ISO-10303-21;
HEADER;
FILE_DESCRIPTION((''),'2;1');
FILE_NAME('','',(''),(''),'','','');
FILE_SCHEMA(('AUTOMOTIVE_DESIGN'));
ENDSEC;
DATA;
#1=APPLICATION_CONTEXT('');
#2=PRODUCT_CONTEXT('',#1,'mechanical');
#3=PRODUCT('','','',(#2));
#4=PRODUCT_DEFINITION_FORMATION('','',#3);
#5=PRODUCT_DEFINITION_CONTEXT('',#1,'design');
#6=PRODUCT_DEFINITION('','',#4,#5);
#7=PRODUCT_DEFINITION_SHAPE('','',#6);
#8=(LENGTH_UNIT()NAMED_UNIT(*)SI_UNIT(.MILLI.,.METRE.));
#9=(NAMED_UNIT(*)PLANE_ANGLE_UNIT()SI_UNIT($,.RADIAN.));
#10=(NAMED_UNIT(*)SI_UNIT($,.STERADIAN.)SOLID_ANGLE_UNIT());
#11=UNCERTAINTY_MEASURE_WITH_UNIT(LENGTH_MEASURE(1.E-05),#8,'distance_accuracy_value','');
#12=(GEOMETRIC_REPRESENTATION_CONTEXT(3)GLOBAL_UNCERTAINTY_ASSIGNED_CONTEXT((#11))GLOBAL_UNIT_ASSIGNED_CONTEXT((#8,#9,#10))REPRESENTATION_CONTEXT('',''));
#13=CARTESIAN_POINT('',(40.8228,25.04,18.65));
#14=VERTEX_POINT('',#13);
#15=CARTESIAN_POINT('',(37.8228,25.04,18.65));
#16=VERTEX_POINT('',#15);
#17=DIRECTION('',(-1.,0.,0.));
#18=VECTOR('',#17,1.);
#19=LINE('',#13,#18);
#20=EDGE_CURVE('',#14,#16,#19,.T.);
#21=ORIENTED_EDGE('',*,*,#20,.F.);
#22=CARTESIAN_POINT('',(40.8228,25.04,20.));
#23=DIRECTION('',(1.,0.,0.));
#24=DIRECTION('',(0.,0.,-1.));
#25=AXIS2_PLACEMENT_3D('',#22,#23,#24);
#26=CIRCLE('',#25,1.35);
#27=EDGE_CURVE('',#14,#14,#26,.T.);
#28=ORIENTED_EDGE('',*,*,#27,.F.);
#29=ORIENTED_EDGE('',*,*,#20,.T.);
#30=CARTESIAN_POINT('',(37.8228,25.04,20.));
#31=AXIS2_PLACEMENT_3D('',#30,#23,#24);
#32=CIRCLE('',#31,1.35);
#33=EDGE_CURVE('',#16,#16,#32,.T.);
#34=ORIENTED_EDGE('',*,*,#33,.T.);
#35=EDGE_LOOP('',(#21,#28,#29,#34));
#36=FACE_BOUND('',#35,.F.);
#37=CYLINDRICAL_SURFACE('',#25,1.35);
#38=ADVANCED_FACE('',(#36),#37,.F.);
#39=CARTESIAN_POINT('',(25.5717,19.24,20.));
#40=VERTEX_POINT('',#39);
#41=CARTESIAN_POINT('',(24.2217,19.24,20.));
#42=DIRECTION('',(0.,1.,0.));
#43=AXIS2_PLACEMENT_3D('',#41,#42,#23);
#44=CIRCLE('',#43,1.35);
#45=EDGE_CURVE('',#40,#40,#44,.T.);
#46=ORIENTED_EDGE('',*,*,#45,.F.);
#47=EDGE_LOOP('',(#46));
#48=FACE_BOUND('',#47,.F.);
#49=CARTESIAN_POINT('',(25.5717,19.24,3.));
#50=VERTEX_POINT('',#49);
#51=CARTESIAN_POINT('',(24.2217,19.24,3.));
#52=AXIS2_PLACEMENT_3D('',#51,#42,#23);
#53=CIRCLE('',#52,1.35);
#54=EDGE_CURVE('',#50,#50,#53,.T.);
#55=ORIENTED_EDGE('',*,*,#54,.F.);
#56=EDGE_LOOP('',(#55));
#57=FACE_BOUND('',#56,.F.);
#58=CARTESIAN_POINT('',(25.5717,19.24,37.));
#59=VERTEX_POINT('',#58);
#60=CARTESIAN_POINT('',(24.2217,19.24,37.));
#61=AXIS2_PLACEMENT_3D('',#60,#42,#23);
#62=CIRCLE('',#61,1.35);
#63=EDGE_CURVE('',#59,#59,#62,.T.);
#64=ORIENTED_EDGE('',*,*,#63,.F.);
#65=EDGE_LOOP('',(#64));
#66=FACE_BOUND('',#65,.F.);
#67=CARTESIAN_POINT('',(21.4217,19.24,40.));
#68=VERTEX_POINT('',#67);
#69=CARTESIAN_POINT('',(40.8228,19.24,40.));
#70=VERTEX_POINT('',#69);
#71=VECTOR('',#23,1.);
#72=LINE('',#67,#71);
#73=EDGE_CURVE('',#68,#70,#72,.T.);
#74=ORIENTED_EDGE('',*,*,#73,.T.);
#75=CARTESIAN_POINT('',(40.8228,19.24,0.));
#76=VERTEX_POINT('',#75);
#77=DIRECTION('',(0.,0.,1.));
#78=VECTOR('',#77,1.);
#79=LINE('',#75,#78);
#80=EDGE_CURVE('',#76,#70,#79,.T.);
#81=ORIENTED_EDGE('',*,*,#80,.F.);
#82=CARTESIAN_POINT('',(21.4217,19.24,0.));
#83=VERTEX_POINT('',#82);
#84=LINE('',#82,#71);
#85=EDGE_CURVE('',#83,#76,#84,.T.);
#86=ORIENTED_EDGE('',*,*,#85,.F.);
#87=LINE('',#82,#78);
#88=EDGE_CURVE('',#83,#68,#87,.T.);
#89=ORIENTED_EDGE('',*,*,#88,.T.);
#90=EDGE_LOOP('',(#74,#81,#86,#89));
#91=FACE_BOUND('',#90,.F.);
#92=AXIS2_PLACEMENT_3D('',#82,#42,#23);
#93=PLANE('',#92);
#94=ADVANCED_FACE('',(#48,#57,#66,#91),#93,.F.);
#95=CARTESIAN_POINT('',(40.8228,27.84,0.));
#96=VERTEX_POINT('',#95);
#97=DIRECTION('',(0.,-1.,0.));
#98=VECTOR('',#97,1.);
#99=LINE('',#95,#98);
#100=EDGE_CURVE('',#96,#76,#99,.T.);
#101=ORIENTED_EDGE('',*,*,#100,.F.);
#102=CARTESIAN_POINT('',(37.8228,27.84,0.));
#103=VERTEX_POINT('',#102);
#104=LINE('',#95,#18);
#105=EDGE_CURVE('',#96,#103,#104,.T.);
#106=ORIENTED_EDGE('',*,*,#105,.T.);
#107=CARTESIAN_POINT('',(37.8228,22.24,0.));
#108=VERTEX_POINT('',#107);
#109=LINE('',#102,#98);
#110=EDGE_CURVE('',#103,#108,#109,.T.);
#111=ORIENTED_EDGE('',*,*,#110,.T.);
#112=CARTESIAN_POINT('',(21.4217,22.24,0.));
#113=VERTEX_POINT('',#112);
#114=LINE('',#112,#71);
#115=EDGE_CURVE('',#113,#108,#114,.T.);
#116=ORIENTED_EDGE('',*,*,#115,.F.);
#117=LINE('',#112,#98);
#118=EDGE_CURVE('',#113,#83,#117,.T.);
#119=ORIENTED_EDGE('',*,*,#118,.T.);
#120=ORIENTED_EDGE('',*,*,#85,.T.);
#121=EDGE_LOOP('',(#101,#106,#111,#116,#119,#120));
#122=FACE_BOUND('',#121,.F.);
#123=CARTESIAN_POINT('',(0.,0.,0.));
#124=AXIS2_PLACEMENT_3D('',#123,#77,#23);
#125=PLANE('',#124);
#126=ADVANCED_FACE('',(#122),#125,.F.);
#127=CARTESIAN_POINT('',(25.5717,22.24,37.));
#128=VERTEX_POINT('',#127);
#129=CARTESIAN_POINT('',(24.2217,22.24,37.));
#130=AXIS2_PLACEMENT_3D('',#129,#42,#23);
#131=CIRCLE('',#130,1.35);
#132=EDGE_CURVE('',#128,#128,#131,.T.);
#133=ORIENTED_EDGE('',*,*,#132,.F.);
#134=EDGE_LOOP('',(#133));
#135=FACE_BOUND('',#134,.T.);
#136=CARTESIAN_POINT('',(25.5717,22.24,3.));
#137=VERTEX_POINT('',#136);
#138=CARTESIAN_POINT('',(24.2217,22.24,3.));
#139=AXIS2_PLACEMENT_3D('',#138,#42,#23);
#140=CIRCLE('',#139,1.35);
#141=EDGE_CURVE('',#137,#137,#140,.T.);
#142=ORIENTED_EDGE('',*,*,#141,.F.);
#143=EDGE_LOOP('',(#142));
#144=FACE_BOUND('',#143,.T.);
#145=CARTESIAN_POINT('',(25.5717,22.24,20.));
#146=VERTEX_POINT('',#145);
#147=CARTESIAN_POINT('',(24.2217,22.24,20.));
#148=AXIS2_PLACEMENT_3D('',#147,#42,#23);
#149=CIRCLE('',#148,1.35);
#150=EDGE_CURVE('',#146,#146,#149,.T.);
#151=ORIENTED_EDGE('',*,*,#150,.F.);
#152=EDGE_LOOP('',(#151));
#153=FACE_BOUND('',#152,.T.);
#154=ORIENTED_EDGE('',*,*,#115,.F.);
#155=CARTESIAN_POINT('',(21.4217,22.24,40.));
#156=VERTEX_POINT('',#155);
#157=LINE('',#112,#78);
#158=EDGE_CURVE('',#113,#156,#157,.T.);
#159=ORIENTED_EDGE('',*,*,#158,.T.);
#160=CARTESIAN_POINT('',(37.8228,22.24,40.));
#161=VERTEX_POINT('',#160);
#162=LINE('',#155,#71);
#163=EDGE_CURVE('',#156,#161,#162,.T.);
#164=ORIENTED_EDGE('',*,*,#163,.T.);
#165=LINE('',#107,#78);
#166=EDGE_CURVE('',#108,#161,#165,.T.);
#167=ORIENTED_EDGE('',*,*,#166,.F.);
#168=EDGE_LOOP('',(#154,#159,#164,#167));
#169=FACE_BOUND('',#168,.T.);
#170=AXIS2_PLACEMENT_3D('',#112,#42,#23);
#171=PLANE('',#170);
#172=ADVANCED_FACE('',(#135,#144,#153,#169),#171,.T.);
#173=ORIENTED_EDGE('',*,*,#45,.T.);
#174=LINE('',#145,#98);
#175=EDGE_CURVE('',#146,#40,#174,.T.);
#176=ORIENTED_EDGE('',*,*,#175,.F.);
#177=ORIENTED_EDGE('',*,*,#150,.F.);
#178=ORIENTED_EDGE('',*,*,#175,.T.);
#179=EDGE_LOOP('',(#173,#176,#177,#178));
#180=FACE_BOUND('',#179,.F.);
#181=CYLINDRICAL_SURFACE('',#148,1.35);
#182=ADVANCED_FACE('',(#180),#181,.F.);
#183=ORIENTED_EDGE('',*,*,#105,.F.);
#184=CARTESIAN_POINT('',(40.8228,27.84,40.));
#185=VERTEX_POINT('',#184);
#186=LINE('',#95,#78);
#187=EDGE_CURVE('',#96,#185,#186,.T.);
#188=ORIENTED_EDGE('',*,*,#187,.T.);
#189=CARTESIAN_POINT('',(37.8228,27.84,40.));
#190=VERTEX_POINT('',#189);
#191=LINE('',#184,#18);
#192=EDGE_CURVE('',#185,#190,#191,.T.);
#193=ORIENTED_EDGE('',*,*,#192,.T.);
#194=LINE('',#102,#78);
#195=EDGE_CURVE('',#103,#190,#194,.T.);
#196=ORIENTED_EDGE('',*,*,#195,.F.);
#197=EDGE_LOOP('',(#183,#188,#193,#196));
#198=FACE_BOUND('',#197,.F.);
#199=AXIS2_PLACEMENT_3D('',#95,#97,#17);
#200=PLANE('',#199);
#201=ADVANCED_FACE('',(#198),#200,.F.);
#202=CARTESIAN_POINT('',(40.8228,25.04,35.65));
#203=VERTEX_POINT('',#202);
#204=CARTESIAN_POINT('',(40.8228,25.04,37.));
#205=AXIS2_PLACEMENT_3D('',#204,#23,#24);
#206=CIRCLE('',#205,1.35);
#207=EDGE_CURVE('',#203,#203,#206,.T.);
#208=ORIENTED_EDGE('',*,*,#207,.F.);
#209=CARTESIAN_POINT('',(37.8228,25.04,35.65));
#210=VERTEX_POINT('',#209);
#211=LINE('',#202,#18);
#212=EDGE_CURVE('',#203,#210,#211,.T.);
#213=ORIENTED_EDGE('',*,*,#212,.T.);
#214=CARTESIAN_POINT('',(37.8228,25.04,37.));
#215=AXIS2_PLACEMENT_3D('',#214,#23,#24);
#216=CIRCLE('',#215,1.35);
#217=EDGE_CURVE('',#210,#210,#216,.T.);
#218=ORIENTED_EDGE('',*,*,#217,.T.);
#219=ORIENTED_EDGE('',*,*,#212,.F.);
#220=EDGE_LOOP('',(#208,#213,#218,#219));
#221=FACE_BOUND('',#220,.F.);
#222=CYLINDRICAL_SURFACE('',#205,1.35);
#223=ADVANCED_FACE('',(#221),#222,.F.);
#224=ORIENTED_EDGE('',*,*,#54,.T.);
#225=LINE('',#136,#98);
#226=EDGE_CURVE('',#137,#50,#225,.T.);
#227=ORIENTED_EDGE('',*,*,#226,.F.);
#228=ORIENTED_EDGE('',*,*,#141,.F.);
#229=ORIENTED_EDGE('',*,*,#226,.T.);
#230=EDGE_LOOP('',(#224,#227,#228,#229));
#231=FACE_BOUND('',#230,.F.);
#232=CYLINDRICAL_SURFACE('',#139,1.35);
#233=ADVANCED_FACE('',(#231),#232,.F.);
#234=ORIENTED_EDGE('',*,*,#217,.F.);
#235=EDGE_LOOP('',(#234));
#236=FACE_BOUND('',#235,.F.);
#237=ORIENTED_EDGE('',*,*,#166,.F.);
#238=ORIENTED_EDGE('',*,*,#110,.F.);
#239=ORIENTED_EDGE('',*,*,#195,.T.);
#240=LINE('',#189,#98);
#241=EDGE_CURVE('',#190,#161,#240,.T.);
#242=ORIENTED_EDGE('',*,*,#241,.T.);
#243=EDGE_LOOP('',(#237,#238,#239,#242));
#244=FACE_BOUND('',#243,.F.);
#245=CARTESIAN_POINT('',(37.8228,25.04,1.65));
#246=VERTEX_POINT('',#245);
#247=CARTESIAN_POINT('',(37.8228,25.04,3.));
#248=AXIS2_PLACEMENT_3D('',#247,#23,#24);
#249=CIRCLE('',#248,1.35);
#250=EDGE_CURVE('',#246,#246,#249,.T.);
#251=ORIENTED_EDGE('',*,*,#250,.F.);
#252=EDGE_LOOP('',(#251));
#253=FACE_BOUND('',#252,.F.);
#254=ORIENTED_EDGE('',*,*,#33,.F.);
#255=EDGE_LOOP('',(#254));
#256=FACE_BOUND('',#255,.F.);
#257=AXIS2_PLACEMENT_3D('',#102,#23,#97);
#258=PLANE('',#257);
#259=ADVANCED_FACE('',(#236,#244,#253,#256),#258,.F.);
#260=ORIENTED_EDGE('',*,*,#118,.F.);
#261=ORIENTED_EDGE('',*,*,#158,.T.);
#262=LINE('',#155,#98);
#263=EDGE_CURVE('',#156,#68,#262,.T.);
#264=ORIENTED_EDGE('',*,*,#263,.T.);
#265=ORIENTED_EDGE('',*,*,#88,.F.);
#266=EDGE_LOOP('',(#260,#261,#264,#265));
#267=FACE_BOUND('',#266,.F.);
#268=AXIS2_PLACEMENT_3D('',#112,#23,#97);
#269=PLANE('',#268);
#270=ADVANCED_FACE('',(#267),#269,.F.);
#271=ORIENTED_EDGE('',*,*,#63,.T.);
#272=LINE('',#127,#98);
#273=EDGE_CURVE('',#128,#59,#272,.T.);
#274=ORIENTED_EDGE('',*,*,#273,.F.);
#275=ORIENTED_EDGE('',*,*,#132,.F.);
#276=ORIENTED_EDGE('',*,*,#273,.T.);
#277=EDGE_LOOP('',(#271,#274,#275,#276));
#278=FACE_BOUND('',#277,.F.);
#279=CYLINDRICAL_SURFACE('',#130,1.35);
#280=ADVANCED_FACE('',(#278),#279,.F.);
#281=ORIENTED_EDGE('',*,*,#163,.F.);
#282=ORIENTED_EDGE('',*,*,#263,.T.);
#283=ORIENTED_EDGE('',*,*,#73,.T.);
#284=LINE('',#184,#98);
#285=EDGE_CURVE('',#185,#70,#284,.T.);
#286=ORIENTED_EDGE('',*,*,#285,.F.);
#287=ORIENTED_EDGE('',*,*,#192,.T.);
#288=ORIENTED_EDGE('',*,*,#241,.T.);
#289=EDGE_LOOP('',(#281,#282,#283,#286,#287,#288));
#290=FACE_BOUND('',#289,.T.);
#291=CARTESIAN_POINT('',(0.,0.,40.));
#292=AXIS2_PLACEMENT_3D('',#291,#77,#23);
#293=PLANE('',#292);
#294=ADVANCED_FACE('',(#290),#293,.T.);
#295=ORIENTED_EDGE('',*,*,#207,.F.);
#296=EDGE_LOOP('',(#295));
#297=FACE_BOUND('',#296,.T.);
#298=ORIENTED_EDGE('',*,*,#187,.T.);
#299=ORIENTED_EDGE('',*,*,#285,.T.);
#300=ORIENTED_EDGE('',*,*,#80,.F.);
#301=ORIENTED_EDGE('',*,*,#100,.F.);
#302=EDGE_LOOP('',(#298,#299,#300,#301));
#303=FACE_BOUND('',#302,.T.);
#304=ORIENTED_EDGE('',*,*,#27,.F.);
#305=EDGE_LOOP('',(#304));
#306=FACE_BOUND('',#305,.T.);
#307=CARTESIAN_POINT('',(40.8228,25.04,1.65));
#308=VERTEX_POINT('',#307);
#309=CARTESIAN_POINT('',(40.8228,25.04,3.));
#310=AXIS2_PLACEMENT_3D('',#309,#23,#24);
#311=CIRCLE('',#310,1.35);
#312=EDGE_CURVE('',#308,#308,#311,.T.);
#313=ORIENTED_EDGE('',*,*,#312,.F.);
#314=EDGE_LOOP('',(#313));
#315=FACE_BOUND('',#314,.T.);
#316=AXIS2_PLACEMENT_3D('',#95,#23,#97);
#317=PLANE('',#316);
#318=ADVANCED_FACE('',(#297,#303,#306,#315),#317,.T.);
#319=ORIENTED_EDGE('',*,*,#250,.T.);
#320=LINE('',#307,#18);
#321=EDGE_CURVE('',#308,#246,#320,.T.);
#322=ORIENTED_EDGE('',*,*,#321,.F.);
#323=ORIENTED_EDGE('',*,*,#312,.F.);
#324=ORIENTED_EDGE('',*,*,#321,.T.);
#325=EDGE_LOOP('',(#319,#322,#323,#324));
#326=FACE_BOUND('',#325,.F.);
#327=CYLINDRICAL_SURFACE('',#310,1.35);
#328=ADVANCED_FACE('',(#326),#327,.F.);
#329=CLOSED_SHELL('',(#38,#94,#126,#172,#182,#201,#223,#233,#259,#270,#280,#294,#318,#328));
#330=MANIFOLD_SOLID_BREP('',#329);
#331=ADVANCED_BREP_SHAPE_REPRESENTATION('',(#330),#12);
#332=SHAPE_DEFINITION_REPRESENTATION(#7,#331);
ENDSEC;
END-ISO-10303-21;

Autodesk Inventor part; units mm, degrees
ref_plane "YZ Plane" through (0, 0, 0) normal (1, 0, 0) x (0, 1, 0)
ref_plane "XZ Plane" through (0, 0, 0) normal (0, 1, 0) x (-1, 0, 0)
ref_plane "XY Plane" through (0, 0, 0) normal (0, 0, 1) x (1, 0, 0)
sketch "Sketch1" plane through (0, 0, 0) normal (0, 0, 1) x (1, 0, 0)
  line L0 (21.4217, 22.24) -> (21.4217, 19.24)
  line L1 (21.4217, 22.24) -> (37.8228, 22.24)
  line L2 (21.4217, 19.24) -> (40.8228, 19.24)
  line L3 (40.8228, 27.84) -> (37.8228, 27.84)
  line L4 (37.8228, 27.84) -> (37.8228, 22.24)
  line L5 (40.8228, 27.84) -> (40.8228, 19.24)
  point P0 (0, 0)
extrude "Extrusion1" add sketch "Sketch1" along normal blind 40
sketch "Sketch2" plane through (40.8228, 19.24, 0) normal (1, 0, 0) x (0, 0, -1)
  line L0 (-40, 8.6) -> (-40, 0) projected
  line L1 (0, 8.6) -> (-40, 8.6) projected
  circle A0 centre (-37, 5.8) radius 1.35
  circle A1 centre (-20, 5.8) radius 1.35
  circle A2 centre (-3, 5.8) radius 1.35
  point P0 (0, -19.24)
  dimension "d2" = 2.7
  dimension "d3" = 2.7
  dimension "d4" = 2.8
  dimension "d5" = 2.8
  dimension "d6" = 17
  dimension "d7" = 2.7
  dimension "d8" = 17
  dimension "d9" = 3
extrude "Extrusion2" cut sketch "Sketch2" against normal through all
sketch "Sketch3" plane through (21.4217, 22.24, 0) normal (0, 1, 0) x (1, 0, 0)
  line L0 (16.4011, 0) -> (0, 0) projected
  line L1 (0, 0) -> (0, -40) projected
  circle A0 centre (2.8, -3) radius 1.35
  circle A1 centre (2.8, -20) radius 1.35
  circle A2 centre (2.8, -37) radius 1.35
  point P0 (-21.4217, 0)
  dimension "d12" = 2.7
  dimension "d13" = 3
  dimension "d14" = 2.8
  dimension "d15" = 2.7
  dimension "d16" = 2.7
  dimension "d17" = 17
  dimension "d18" = 17
extrude "Extrusion3" cut sketch "Sketch3" against normal through all
properties part number "Groin" material "Aluminum-6061"
